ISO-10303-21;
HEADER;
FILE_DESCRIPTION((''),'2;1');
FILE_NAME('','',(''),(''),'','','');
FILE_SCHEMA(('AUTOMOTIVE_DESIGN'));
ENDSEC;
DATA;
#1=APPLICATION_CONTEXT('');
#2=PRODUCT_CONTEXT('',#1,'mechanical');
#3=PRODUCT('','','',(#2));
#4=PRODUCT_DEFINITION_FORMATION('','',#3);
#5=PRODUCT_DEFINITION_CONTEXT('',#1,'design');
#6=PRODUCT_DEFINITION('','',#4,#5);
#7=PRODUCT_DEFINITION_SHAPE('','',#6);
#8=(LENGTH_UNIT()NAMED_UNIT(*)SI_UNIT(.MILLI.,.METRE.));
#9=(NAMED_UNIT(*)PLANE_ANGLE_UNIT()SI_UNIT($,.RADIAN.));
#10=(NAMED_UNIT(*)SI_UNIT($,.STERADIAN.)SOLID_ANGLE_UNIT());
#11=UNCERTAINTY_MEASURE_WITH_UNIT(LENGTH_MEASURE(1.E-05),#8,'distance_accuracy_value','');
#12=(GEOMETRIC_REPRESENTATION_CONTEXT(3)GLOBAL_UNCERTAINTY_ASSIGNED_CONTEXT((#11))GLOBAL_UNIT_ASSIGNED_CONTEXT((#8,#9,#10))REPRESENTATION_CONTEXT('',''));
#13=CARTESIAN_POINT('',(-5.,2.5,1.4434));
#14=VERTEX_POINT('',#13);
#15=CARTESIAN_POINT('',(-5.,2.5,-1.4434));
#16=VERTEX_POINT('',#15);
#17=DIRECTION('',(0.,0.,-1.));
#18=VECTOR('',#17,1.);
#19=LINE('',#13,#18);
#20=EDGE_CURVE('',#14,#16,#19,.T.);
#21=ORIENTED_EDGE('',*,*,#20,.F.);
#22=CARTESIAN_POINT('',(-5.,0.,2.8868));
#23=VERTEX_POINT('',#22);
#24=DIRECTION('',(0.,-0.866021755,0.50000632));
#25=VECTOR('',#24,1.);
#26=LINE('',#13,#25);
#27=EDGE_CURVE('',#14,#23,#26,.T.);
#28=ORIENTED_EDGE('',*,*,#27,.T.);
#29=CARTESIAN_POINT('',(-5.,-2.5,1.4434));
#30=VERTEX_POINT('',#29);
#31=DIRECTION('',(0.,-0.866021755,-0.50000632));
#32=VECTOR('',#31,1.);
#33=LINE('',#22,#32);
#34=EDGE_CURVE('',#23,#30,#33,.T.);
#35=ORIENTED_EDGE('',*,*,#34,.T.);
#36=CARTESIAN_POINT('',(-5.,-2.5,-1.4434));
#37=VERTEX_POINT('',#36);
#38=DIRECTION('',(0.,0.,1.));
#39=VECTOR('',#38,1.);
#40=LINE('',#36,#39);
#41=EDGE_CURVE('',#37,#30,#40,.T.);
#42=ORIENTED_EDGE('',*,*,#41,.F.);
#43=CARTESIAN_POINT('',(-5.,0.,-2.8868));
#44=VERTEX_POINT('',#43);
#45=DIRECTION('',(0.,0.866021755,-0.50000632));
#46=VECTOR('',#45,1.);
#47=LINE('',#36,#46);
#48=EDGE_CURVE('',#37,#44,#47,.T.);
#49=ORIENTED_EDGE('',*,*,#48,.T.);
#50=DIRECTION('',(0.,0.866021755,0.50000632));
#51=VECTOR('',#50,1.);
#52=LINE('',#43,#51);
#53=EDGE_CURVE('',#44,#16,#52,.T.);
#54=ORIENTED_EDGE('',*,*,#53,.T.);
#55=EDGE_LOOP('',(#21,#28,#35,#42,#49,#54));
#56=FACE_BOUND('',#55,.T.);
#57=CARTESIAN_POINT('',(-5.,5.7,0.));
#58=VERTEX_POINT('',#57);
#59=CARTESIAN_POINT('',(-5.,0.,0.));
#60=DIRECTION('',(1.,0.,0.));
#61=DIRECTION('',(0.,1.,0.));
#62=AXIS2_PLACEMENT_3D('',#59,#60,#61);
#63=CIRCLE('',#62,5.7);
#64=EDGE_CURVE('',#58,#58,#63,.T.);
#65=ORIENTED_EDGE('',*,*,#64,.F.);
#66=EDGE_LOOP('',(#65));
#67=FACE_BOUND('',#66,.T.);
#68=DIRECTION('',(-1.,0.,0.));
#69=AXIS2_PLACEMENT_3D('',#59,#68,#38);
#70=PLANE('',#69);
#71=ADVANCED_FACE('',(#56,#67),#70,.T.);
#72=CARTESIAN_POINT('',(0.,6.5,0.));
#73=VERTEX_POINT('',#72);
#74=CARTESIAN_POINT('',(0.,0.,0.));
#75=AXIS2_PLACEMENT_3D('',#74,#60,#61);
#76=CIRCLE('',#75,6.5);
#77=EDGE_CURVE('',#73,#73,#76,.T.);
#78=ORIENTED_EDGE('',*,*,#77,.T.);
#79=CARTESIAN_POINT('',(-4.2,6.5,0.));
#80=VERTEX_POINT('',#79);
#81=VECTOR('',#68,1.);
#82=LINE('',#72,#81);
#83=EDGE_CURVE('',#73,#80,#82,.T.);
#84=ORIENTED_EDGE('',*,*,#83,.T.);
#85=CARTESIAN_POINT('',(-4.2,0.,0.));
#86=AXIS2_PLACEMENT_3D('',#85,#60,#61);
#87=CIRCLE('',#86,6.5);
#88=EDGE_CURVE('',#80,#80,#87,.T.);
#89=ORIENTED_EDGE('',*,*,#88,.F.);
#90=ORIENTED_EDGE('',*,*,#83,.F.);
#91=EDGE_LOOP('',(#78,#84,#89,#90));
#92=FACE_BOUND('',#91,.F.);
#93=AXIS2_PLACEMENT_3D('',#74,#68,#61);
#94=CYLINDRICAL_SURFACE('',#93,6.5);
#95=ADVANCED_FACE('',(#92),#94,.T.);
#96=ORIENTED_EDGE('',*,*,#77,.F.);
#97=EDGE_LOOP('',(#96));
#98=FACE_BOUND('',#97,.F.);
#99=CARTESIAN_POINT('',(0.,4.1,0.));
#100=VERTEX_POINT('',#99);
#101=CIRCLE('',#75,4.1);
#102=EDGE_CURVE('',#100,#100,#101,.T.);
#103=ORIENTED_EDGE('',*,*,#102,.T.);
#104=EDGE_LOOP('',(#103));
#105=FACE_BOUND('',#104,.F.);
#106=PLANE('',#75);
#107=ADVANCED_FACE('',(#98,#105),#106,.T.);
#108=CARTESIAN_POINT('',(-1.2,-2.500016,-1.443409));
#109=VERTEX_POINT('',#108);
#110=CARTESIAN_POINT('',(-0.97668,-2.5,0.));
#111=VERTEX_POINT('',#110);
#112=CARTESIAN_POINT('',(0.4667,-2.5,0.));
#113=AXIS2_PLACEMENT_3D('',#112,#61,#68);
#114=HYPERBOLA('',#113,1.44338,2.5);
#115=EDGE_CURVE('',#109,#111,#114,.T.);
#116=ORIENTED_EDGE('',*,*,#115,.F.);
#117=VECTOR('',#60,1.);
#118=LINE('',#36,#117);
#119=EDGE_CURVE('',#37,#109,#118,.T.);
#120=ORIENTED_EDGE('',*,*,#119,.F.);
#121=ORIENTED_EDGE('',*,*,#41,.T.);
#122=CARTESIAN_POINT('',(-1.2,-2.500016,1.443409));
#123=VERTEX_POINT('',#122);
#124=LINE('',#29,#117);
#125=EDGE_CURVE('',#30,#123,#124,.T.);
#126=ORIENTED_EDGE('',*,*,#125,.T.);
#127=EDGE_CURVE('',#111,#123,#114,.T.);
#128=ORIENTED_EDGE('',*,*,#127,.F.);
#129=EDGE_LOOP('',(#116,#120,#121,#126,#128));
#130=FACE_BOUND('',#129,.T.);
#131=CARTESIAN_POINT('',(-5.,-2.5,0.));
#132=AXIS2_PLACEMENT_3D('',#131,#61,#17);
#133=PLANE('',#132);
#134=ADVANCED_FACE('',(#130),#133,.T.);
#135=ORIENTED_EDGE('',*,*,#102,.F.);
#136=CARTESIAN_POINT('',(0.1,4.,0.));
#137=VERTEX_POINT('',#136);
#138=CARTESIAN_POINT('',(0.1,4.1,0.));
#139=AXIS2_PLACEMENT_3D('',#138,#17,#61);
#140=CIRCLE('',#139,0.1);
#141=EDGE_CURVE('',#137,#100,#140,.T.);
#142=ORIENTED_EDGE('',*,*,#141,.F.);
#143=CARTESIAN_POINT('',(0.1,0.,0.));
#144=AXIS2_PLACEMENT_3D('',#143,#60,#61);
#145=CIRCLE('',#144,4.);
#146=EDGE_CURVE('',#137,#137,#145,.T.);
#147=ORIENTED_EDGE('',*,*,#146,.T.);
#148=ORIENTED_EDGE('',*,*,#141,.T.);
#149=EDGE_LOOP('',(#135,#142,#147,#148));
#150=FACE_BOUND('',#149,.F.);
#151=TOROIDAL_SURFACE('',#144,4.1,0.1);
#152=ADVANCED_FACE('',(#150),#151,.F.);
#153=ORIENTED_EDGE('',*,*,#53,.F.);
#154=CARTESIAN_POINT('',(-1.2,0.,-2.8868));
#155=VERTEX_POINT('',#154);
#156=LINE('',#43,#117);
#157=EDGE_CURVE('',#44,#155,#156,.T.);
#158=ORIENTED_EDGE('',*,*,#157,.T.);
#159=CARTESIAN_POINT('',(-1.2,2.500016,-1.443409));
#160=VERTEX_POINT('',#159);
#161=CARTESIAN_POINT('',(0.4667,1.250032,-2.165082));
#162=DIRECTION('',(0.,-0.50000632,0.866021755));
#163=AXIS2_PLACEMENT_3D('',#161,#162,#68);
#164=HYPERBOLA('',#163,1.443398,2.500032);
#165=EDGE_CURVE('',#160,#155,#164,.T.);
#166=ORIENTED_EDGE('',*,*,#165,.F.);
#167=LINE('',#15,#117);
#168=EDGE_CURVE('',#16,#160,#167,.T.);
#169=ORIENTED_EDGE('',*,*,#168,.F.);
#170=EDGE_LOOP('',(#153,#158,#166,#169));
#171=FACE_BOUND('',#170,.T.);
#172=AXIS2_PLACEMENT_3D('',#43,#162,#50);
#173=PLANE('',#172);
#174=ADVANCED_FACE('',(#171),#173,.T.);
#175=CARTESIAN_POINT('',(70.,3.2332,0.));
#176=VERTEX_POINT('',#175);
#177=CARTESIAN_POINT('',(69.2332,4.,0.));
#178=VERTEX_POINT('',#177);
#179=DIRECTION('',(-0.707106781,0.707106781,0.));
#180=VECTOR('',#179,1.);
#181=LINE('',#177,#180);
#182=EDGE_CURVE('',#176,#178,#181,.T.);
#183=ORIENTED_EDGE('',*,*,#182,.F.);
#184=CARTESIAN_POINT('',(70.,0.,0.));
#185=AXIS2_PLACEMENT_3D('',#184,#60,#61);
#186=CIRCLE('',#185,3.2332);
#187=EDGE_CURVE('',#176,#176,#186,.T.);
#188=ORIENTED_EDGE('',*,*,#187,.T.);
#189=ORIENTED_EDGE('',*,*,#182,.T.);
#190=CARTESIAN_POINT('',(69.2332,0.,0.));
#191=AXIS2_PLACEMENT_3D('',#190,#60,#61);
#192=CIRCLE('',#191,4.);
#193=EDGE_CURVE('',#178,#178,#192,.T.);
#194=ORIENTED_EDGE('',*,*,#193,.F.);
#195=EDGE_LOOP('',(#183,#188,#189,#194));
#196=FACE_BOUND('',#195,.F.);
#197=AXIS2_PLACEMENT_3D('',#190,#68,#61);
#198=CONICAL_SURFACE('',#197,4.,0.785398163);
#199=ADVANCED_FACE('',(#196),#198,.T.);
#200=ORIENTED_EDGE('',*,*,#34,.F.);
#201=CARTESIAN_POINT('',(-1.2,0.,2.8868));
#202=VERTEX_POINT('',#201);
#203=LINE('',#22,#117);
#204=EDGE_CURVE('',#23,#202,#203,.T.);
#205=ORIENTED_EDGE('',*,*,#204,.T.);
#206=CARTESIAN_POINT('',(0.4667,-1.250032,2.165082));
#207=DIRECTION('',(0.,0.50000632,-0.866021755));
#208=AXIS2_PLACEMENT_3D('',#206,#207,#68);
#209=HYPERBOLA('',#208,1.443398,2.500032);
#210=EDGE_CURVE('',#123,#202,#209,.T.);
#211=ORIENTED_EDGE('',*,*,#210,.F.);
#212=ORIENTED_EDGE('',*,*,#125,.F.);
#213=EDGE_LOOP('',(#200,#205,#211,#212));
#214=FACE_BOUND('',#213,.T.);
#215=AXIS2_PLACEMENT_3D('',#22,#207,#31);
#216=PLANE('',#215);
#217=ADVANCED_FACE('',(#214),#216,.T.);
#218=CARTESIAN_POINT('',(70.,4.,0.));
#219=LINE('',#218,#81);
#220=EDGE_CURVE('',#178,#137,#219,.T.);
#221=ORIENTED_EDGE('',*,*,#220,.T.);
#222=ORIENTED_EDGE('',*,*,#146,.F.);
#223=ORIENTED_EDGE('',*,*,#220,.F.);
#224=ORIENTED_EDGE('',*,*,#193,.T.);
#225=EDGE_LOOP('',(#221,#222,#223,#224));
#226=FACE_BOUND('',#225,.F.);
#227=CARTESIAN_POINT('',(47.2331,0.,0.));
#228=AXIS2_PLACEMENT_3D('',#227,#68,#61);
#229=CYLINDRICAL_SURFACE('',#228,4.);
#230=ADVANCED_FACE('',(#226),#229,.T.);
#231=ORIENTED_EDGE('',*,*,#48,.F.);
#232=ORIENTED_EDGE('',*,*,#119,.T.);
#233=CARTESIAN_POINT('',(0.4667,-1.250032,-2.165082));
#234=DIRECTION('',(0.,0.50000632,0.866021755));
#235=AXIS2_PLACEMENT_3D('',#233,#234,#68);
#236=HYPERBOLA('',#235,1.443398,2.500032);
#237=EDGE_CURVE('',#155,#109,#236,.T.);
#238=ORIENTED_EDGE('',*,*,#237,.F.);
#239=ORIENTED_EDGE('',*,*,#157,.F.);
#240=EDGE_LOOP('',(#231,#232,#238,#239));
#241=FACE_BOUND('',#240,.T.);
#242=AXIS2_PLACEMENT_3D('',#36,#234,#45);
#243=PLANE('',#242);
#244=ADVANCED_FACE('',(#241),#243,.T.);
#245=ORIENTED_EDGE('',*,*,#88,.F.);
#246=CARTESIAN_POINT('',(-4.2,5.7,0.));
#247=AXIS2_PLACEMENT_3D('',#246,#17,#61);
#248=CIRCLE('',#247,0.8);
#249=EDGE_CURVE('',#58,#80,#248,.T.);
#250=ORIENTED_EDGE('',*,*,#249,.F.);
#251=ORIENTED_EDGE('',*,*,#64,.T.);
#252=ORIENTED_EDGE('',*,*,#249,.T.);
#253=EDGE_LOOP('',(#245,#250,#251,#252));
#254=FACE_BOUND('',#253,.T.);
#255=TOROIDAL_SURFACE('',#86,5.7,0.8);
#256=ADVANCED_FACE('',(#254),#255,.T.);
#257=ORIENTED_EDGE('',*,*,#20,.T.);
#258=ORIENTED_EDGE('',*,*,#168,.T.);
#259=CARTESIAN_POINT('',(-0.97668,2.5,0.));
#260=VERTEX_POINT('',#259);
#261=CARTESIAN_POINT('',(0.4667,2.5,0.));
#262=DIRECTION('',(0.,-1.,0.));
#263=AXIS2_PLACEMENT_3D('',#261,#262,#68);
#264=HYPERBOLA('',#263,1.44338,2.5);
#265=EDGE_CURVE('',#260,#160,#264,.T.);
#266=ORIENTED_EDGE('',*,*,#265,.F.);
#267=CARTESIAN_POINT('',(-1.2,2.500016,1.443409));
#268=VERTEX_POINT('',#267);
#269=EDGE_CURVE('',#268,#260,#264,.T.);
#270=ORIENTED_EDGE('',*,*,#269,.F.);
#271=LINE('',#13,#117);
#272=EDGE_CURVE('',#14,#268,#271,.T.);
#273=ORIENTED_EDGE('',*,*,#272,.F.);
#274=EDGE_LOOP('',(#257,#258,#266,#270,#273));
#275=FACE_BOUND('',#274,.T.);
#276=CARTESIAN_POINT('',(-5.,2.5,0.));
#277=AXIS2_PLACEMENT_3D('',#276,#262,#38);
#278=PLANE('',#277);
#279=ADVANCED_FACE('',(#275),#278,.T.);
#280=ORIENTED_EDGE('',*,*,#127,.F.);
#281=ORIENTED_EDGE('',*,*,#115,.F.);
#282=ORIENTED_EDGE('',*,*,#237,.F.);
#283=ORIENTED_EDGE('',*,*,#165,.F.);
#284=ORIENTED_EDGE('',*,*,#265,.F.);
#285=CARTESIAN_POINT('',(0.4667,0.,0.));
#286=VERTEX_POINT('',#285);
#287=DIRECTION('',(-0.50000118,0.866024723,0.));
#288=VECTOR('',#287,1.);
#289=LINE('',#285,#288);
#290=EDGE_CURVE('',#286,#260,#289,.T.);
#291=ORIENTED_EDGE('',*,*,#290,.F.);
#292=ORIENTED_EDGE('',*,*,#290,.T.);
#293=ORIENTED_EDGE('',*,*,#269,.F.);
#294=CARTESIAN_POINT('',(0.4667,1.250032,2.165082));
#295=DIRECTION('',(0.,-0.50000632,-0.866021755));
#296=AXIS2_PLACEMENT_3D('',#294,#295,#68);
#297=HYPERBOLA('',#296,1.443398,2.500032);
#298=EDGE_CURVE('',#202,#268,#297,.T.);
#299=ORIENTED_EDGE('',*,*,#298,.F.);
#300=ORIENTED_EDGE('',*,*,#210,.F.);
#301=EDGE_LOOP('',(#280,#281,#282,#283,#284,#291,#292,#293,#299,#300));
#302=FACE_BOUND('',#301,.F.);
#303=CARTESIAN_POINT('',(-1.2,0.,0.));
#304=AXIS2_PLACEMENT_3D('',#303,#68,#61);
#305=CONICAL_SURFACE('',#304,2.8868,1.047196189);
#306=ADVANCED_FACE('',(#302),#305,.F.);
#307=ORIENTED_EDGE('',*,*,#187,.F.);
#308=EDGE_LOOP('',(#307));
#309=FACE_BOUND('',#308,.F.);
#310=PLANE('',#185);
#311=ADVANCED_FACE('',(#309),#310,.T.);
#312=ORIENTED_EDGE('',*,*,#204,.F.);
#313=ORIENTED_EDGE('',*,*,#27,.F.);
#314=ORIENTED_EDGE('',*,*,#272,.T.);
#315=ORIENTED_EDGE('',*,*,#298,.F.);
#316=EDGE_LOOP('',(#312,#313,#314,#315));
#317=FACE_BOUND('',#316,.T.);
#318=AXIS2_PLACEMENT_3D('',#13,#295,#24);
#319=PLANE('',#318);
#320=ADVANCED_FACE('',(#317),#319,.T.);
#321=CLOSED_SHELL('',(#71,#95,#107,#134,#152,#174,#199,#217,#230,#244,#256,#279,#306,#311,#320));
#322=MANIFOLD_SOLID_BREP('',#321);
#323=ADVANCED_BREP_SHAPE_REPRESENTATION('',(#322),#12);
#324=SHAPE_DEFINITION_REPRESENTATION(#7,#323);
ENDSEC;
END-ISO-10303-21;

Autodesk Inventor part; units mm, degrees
ref_plane "YZ Plane" through (0, 0, 0) normal (1, 0, 0) x (0, 1, 0)
ref_plane "XZ Plane" through (0, 0, 0) normal (0, 1, 0) x (-1, 0, 0)
sketch "Sketch1" plane through (0, 0, 0) normal (0, 0, 1) x (1, 0, 0)
  line L0 (0.4667, 0) -> (70, 0)
  line L1 (70, 0) -> (70, 4)
  line L2 (70, 4) -> (48, 4)
  line L3 (48, 4) -> (47.2331, 4)
  line L4 (47.2331, 4) -> (0, 4)
  line L5 (0, 4) -> (0, 6.5)
  line L6 (0, 6.5) -> (-5, 6.5)
  line L7 (-5, 6.5) -> (-5, 2.8868)
  line L8 (-5, 2.8868) -> (-1.2, 2.8868)
  line L9 (-1.2, 2.8868) -> (0.4667, 0)
  line L10 (-20, 0) -> (85, 0) projected
  line L11 (0, -1.3) -> (0, 7.8) projected
  line L12 (48, 4) -> (0, 4) construction
  dimension "d1" = 22
  dimension "d2" = 0.7669
  dimension "d3" = 5
  dimension "d4" = 3.8
  dimension "d5" = 60
  dimension "d6" = 8
  dimension "d7" = 8
  dimension "d8" = 5.7735
  dimension "d9" = 13
  dimension "d26" = 70
revolve "Body" add sketch "Sketch1" angle 360 about axis through (0.4667, 0, 0) along (1, 0, 0) contours L9 L11 L4 L3 L2 L1 L0 | L9 L8 L7 L6 L5 L11
sketch "Sketch2" plane through (-5, 0, 0) normal (-1, 0, 0) x (0, 0, 1)
  circle A0 centre (0, 0) radius 2.8868 projected
  line L0 (0, -9.1) -> (0, 9.1) projected
  line L1 (-9.1, 0) -> (9.1, 0) projected
  line L2 (2.8868, 0) -> (1.4434, -2.5)
  line L3 (1.4434, -2.5) -> (-1.4434, -2.5)
  line L4 (-1.4434, -2.5) -> (-2.8868, 0)
  line L5 (-2.8868, 0) -> (-1.4434, 2.5)
  line L6 (-1.4434, 2.5) -> (1.4434, 2.5)
  line L7 (1.4434, 2.5) -> (2.8868, 0)
extrude "Slot" add sketch "Sketch2" against normal up to next contours L7 A0 | A0 L2 | L6 L0 A0 | A0 L0 L3 | L0 L6 A0 | A0 L3 L0 | L4 A0 | A0 L5
fillet "Fillet1" radius 0.8 1 edges at (-5, -6.5, 0)
thread "Thread" size "M8x1.25" class "6g" standard "ISO Metric profile" length 22
chamfer "Chamfer1" distance 0.7668 distance2 0.7668 1 edges at (70, -4, 0) measured on face at (70, 0.1607, 1.1698)
ref_plane "Work Plane1" through (29, 0, 0) normal (0, -1, 0) x (1, 0, 0)
fillet "Fillet2" radius 0.1 1 edges at (0, -4, 0)
equation "\"d1\" = GEL"
equation "\"d3\" = KOH"
equation "\"d4\" = INTI"
equation "\"d6\" = GD"
equation "\"d7\" = BDM"
equation "\"d8\" = 1.1547 * SW"
equation "\"d9\" = KOD"
equation "\"d26\" = NLG"
equation "\"d30\" = R"
equation "\"d17\" = RR"
equation "\"d13\" = GEL"
equation "\"d15\" = -0.5 * SPD + 0.5 * GD"
equation "\"d16\" = GUL"
equation "\"GD\" = NND"
equation "\"NLG\" = 70"
equation "\"GEL\" = 22"
equation "\"KOD\" = 13"
equation "\"KOH\" = 5"
equation "\"INTI\" = 3.8"
equation "\"GAL\" = 0.61345 * PTC"
equation "\"GUL\" = 0.61345 * PTC"
equation "\"BDM\" = NND"
equation "\"SW\" = 5"
equation "\"RR\" = 0.8"
equation "\"SPD\" = NND - 1.2269 * PTC"
equation "\"R\" = 0.1"
equation "\"TOA\" = 30deg"
equation "\"GD1\" = THREADDIA - 1.2269 * PTC"
equation "\"THREADDIA\" = 8"
equation "\"FAWI\" = 45deg"
equation "\"ANG\" = 120deg"
equation "\"PTC\" = 1.25"
equation "\"NND\" = 8"
equation "\"E0\" = 1.155 * SW"
properties part number "DIN 7984 - M8 x 70" material "Steel, Mild"
